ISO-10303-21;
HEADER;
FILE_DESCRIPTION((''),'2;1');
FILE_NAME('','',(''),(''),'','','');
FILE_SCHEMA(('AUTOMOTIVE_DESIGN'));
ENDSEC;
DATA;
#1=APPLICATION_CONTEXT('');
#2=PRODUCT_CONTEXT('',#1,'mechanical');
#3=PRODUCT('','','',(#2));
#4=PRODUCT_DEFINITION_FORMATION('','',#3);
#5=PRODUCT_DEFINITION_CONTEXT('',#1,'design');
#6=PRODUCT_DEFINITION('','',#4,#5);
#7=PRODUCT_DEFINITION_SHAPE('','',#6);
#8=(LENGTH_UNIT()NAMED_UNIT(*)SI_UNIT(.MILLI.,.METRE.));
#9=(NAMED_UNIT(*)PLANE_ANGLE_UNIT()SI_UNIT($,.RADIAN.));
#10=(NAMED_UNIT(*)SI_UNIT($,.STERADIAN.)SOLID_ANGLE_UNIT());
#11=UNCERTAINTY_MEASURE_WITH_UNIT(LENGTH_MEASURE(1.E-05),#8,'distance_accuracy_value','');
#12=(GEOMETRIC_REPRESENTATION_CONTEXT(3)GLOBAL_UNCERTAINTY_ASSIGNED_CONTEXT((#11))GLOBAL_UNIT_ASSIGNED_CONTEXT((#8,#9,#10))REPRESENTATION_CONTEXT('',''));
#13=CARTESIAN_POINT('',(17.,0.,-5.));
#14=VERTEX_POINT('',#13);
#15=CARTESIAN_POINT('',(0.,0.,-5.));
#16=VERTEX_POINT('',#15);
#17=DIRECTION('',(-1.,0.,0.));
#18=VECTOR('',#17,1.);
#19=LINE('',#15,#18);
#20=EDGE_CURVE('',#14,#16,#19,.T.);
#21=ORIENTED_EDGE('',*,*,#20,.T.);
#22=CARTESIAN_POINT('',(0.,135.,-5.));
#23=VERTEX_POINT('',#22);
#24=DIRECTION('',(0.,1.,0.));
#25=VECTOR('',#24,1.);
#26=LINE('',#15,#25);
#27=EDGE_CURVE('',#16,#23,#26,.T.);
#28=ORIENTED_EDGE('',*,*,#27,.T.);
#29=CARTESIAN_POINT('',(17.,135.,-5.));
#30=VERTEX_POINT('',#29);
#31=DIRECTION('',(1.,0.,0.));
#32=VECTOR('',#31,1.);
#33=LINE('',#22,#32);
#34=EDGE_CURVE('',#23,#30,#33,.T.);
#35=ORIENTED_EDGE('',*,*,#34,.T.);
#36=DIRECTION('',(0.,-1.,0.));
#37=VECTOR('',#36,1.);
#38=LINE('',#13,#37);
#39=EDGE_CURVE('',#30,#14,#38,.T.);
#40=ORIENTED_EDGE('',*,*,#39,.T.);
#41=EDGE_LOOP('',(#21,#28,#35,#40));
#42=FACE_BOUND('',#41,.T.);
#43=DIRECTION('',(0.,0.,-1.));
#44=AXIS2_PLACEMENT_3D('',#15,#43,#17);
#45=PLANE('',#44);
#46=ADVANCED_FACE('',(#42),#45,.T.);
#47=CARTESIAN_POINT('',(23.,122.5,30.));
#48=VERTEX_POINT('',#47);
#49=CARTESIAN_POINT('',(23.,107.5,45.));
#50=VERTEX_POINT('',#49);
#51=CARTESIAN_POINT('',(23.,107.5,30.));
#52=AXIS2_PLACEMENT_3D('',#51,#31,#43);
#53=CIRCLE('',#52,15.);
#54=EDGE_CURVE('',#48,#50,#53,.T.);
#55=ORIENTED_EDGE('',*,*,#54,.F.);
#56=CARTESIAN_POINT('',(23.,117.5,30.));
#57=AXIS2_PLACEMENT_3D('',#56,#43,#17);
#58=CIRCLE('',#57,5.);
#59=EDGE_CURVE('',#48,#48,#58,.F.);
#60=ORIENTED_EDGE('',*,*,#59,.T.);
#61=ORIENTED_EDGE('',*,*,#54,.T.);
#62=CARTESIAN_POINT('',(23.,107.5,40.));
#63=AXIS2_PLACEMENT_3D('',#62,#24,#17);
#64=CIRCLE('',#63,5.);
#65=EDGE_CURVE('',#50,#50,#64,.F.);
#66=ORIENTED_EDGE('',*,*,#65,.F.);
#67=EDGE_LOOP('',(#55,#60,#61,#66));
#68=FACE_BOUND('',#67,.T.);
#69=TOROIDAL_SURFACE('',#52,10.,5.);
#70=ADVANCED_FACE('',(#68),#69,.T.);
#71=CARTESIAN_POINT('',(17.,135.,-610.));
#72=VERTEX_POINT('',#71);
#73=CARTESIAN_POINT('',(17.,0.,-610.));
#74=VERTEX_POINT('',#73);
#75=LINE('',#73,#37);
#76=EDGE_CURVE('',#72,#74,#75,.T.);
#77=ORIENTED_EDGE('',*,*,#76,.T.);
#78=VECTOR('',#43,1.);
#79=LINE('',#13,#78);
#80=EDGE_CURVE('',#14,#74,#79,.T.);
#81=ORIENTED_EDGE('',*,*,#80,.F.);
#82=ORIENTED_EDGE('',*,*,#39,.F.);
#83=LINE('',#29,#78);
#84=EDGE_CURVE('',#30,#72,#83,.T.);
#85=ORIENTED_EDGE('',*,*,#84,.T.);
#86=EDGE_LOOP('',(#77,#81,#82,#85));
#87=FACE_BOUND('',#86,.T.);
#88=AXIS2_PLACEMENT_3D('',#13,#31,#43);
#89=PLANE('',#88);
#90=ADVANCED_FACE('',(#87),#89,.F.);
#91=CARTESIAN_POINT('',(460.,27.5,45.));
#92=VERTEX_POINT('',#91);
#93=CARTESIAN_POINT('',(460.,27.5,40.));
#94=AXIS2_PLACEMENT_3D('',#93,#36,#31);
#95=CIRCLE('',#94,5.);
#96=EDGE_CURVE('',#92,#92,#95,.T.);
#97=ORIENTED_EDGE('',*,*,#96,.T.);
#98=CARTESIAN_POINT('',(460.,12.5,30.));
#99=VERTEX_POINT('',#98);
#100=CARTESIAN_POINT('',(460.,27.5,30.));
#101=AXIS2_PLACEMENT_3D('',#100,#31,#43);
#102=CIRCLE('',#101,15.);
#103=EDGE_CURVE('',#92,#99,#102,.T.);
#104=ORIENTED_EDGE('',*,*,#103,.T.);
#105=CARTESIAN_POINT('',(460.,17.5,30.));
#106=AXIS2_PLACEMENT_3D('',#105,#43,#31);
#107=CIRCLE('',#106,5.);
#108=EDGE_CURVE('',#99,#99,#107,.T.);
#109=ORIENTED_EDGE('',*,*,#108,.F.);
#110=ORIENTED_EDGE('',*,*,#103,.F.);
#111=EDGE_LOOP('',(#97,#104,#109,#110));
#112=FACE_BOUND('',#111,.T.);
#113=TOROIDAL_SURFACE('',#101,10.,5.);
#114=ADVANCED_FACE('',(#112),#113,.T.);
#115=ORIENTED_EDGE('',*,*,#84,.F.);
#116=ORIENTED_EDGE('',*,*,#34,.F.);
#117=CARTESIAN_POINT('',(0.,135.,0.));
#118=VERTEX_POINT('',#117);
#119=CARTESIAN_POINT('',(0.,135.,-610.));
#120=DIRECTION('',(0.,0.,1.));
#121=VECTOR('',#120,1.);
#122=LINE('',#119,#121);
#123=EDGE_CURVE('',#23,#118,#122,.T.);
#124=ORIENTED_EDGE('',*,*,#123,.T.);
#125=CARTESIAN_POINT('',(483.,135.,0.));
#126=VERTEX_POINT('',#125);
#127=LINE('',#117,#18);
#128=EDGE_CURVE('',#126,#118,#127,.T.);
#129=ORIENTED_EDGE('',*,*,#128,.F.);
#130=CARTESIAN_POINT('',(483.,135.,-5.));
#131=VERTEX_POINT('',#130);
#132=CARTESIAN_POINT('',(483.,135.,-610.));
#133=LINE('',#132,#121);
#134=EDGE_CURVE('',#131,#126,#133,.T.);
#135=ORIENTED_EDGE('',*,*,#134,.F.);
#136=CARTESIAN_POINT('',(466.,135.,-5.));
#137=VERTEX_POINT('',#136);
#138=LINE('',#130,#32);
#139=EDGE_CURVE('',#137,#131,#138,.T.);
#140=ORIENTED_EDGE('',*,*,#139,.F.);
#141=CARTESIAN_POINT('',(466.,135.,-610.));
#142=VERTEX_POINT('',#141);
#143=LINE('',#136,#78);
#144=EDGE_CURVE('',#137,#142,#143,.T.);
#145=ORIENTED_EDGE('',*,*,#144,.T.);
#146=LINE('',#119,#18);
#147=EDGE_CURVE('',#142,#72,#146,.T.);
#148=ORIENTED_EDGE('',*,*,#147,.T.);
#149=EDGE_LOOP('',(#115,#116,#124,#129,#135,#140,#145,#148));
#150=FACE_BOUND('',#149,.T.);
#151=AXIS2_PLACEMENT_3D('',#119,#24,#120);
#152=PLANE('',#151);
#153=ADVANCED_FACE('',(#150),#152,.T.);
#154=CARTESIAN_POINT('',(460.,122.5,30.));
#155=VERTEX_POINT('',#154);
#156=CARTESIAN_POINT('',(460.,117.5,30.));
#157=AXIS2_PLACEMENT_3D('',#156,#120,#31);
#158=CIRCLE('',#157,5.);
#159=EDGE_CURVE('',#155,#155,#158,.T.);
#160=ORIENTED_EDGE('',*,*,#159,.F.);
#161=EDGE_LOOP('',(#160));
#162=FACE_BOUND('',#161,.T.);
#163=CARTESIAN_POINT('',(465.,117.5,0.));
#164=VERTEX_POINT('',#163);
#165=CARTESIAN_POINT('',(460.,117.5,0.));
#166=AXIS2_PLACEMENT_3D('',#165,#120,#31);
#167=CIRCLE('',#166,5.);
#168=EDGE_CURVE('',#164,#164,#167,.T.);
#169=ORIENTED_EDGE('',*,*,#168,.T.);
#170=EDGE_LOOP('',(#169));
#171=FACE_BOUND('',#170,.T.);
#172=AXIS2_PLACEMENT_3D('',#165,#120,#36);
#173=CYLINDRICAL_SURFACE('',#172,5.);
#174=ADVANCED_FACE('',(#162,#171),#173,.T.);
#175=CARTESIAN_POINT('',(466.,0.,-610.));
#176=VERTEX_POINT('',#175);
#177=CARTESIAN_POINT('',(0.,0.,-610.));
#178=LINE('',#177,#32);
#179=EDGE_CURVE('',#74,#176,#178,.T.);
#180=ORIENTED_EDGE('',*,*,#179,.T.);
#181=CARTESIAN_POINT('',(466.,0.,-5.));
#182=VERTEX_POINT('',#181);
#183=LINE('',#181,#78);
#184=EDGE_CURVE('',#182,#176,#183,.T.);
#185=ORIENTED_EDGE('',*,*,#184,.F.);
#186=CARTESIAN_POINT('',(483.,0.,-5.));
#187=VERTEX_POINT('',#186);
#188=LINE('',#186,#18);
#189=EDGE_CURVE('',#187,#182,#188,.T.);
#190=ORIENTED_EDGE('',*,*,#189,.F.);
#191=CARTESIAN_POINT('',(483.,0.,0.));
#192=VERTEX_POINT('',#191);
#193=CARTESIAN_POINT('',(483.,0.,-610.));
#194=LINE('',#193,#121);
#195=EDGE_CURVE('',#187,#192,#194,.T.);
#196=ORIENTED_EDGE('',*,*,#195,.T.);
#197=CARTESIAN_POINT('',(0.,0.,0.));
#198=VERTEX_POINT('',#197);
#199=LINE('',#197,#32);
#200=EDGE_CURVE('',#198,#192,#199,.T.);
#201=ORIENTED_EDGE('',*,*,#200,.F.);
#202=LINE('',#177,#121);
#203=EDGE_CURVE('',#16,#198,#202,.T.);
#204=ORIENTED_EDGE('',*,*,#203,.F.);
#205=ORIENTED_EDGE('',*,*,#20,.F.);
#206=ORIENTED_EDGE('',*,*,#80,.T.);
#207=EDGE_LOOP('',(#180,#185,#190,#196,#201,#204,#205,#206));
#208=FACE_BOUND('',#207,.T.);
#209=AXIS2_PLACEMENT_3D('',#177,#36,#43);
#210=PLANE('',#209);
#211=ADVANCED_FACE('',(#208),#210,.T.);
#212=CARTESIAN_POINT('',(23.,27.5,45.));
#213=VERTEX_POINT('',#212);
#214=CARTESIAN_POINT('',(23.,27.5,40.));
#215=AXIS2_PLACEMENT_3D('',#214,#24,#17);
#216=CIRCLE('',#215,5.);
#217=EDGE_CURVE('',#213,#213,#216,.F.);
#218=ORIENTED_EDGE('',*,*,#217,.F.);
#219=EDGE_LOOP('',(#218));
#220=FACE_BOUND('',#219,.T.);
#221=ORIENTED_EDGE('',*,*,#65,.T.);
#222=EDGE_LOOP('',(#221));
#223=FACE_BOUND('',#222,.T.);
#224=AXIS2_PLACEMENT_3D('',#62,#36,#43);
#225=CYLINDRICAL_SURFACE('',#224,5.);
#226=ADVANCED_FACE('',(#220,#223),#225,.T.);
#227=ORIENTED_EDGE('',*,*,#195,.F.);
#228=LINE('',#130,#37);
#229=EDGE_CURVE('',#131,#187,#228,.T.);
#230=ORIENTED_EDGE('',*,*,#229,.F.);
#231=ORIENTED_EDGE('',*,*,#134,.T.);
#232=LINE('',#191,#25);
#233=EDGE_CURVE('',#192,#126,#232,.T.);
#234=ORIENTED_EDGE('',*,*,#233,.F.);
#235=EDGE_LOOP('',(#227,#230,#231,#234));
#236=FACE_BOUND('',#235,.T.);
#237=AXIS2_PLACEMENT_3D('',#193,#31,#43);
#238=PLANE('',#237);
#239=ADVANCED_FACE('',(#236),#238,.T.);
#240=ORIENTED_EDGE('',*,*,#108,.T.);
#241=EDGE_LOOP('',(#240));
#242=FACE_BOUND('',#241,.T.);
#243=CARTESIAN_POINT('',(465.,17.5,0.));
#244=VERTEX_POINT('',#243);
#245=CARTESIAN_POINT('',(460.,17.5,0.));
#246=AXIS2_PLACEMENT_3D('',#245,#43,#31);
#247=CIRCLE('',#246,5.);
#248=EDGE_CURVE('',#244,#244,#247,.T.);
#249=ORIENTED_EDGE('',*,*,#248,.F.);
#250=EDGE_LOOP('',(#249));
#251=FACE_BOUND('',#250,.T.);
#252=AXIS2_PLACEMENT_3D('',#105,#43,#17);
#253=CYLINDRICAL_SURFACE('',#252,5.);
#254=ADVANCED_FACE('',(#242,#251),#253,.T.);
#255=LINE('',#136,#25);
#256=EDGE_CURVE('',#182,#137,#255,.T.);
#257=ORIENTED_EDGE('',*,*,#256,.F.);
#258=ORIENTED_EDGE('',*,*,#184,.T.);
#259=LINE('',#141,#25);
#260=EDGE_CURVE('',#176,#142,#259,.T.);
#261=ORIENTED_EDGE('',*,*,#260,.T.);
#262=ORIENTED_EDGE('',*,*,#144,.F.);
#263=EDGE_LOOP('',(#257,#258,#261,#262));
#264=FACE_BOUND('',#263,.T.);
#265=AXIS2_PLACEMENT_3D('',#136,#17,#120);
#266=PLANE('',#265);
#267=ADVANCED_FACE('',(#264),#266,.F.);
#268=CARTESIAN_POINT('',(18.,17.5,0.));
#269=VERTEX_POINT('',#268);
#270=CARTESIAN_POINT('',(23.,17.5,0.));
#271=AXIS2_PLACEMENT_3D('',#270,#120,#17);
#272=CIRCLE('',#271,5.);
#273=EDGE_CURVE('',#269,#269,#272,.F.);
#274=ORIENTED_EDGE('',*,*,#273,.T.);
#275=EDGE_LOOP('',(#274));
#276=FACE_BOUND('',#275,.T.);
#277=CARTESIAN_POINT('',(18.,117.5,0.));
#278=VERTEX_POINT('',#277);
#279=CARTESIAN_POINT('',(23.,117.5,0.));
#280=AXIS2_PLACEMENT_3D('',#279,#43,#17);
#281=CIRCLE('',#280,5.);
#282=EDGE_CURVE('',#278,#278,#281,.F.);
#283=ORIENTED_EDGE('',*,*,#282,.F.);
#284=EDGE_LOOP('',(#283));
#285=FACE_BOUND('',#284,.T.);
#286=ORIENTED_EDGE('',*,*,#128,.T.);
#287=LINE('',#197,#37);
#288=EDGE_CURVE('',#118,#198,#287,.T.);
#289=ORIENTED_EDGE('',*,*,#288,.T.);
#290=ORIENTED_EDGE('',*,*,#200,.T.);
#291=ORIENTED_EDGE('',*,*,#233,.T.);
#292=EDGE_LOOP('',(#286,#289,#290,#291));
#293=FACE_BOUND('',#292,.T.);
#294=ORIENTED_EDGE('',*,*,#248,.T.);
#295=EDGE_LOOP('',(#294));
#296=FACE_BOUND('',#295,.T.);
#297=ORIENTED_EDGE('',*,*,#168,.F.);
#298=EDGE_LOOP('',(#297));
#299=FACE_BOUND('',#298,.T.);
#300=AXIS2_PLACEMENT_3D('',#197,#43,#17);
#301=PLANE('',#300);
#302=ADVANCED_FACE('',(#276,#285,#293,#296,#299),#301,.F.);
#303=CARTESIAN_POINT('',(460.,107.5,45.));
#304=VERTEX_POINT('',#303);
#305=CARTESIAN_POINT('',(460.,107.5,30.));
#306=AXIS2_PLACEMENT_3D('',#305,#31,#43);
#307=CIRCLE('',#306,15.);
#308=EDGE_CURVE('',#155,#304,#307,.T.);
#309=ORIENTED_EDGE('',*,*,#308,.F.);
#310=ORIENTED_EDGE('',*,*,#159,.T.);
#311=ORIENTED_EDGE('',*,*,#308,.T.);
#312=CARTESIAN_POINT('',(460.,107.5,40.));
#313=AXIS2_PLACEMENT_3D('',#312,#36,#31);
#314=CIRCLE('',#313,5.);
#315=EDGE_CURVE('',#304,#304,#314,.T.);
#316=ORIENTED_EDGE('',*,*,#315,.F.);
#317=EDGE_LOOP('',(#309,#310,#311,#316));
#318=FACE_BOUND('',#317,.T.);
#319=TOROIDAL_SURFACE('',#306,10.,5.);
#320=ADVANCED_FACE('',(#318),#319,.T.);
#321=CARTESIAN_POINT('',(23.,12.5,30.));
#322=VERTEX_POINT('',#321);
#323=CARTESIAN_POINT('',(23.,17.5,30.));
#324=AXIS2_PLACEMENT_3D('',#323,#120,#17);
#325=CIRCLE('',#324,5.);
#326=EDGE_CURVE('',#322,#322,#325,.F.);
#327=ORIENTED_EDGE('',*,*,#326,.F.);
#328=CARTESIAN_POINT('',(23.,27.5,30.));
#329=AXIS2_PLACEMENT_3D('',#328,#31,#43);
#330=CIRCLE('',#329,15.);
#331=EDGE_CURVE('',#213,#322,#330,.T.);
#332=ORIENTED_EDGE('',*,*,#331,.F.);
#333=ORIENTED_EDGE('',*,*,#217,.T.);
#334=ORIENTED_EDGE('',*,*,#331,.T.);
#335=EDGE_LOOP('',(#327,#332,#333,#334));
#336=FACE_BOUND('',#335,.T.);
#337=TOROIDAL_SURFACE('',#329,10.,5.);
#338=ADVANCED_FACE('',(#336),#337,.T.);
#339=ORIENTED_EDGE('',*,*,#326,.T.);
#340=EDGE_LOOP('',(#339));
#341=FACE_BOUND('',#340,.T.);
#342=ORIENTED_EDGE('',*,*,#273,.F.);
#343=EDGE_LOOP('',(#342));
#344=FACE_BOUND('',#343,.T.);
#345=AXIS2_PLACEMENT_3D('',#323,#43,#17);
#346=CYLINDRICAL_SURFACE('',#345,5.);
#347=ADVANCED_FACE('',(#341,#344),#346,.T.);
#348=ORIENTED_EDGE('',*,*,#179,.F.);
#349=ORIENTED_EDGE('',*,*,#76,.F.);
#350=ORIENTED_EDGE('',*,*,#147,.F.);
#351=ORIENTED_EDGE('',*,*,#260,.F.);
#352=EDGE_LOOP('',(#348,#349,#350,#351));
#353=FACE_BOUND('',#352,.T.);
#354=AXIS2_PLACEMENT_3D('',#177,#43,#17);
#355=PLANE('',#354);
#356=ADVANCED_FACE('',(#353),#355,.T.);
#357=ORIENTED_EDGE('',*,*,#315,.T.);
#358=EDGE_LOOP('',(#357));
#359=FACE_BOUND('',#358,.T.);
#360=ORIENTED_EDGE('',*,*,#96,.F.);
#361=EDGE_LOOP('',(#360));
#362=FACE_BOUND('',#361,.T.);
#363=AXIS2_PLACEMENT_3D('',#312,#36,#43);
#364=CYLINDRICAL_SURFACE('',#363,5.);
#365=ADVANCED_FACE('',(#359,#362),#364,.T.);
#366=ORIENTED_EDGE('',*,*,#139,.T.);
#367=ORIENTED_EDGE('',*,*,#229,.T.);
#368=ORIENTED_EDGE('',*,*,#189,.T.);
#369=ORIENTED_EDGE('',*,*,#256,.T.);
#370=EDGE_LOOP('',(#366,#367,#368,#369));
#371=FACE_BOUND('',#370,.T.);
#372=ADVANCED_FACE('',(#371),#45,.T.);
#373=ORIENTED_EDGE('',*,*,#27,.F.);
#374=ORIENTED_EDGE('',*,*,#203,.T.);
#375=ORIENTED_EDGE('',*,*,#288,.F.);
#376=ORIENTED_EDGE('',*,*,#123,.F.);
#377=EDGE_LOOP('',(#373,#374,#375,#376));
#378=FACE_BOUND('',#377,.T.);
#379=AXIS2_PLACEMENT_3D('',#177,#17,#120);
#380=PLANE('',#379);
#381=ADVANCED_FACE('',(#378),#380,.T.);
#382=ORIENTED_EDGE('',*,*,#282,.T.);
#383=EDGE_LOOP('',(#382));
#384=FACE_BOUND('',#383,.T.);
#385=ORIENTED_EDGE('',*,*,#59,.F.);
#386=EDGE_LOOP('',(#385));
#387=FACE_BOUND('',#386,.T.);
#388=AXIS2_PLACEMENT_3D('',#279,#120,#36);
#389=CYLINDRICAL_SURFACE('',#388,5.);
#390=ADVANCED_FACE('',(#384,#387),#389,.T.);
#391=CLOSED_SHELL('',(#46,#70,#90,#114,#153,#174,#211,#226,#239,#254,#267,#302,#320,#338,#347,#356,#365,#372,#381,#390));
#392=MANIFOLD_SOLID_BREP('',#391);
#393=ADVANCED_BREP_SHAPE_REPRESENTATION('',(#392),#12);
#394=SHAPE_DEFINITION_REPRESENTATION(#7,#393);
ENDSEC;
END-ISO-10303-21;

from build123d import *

# Parameters (mm, degrees)
SKETCH1_W           = 483
SKETCH1_H           = 135
BOSS_EXTRUDE1_DEPTH = 610
SKETCH2_W           = 17
SKETCH2_H           = 135
CUT_EXTRUDE1_DEPTH  = 605
SKETCH4_R           = 5


with BuildPart() as part:
    # Sketch1 → Boss-Extrude1 (new body)
    with BuildSketch(Plane.XY):
        with Locations((241.5, 67.5)):
            Rectangle(SKETCH1_W, SKETCH1_H)
    extrude(amount=-BOSS_EXTRUDE1_DEPTH)

    # Sketch2 → Cut-Extrude1 (cut)
    with BuildSketch(Plane(origin=(0, 0, -610), x_dir=(-1, 0, 0), z_dir=(0, 0, -1))):
        with Locations((-474.5, 67.5)):
            Rectangle(SKETCH2_W, SKETCH2_H)
        with Locations((-8.5, 67.5)):
            Rectangle(SKETCH2_W, SKETCH2_H)
    extrude(amount=-CUT_EXTRUDE1_DEPTH, mode=Mode.SUBTRACT)

    # Sweep1: sweep along a path in Sketch3
    with BuildLine(Plane(origin=(460, 0, 0), x_dir=(0, 0, -1), z_dir=(1, 0, 0))) as sweep1_path:
        Line((0, 117.5), (-30, 117.5))
        ThreePointArc((-30, 117.5), (-37.071067812, 114.571067812), (-40, 107.5))
        Line((-40, 107.5), (-40, 27.5))
        ThreePointArc((-40, 27.5), (-37.071067812, 20.428932188), (-30, 17.5))
        Line((-30, 17.5), (0, 17.5))
    # Sketch4 → Sweep1 (sweep)
    with BuildSketch(Plane.XY):
        with Locations((460, 117.5)):
            Circle(SKETCH4_R)
    sweep1 = sweep(path=sweep1_path.line)

    # Mirror1: Sweep1 across plane
    add(sweep1.mirror(Plane(origin=(241.5, 0, 0), x_dir=(0, 0, 1), z_dir=(1, 0, 0))))


solid = part.part
